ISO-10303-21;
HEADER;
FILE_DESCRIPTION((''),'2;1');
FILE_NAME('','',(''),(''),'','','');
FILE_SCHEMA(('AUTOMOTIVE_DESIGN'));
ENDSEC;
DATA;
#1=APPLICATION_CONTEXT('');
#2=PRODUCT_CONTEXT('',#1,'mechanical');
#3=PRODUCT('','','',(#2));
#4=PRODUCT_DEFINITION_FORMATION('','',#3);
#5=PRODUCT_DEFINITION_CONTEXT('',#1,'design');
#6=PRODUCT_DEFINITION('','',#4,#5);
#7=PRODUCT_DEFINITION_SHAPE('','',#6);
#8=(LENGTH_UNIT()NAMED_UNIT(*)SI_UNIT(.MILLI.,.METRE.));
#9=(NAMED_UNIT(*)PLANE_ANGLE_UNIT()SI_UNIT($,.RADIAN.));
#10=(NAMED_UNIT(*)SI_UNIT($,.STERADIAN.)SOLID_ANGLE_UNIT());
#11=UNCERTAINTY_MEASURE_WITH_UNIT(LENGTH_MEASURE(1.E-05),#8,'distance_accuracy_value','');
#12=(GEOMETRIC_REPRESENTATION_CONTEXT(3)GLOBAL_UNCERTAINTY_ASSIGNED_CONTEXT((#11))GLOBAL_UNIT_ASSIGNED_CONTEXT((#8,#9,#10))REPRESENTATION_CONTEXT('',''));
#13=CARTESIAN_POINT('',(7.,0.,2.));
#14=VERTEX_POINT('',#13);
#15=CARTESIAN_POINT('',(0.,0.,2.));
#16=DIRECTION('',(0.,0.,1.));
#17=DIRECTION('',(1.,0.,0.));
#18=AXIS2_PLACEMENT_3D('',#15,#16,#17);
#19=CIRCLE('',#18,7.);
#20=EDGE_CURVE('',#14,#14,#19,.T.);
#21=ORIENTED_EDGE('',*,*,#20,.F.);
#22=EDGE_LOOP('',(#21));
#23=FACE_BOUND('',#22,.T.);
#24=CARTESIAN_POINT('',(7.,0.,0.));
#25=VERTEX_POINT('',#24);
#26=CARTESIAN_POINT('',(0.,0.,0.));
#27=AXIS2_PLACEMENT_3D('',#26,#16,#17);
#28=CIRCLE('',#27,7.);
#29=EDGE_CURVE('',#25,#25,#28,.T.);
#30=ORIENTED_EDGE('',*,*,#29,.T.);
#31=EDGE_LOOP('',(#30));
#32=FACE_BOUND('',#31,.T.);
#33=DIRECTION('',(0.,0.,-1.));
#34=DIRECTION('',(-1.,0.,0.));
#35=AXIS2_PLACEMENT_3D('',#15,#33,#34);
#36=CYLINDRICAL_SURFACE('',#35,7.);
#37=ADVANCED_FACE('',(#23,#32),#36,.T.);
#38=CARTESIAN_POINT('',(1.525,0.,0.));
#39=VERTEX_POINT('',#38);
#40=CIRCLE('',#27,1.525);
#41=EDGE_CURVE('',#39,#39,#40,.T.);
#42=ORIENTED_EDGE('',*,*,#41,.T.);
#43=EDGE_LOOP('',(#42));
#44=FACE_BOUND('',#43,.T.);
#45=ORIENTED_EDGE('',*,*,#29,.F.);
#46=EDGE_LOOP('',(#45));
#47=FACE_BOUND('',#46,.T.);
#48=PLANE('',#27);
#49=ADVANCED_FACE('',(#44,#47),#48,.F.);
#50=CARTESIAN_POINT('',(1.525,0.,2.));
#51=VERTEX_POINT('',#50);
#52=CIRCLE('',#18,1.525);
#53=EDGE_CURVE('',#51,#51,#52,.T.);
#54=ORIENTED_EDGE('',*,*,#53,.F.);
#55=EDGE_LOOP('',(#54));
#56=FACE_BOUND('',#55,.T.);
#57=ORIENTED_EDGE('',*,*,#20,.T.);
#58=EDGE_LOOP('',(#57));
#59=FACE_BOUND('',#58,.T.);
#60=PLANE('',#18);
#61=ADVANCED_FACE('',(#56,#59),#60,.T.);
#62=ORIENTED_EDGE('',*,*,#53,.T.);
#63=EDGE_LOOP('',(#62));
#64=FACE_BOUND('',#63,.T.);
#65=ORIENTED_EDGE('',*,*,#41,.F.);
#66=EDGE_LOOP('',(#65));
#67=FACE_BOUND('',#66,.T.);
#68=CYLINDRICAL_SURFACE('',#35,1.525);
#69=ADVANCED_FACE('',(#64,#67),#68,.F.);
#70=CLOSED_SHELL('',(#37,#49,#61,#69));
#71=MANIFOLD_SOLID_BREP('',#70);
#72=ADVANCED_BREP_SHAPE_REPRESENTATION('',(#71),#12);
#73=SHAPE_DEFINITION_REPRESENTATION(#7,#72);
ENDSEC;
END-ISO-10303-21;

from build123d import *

# Parameters (mm, degrees)
SKETCH_1_R      = 7
SKETCH_1_R_2    = 1.525
EXTRUDE_1_DEPTH = 2


with BuildPart() as part:
    # 草图1 → 凸台-拉伸1 (new body)
    with BuildSketch(Plane.XY):
        Circle(SKETCH_1_R)
        Circle(SKETCH_1_R_2, mode=Mode.SUBTRACT)
    extrude(amount=EXTRUDE_1_DEPTH)


solid = part.part
